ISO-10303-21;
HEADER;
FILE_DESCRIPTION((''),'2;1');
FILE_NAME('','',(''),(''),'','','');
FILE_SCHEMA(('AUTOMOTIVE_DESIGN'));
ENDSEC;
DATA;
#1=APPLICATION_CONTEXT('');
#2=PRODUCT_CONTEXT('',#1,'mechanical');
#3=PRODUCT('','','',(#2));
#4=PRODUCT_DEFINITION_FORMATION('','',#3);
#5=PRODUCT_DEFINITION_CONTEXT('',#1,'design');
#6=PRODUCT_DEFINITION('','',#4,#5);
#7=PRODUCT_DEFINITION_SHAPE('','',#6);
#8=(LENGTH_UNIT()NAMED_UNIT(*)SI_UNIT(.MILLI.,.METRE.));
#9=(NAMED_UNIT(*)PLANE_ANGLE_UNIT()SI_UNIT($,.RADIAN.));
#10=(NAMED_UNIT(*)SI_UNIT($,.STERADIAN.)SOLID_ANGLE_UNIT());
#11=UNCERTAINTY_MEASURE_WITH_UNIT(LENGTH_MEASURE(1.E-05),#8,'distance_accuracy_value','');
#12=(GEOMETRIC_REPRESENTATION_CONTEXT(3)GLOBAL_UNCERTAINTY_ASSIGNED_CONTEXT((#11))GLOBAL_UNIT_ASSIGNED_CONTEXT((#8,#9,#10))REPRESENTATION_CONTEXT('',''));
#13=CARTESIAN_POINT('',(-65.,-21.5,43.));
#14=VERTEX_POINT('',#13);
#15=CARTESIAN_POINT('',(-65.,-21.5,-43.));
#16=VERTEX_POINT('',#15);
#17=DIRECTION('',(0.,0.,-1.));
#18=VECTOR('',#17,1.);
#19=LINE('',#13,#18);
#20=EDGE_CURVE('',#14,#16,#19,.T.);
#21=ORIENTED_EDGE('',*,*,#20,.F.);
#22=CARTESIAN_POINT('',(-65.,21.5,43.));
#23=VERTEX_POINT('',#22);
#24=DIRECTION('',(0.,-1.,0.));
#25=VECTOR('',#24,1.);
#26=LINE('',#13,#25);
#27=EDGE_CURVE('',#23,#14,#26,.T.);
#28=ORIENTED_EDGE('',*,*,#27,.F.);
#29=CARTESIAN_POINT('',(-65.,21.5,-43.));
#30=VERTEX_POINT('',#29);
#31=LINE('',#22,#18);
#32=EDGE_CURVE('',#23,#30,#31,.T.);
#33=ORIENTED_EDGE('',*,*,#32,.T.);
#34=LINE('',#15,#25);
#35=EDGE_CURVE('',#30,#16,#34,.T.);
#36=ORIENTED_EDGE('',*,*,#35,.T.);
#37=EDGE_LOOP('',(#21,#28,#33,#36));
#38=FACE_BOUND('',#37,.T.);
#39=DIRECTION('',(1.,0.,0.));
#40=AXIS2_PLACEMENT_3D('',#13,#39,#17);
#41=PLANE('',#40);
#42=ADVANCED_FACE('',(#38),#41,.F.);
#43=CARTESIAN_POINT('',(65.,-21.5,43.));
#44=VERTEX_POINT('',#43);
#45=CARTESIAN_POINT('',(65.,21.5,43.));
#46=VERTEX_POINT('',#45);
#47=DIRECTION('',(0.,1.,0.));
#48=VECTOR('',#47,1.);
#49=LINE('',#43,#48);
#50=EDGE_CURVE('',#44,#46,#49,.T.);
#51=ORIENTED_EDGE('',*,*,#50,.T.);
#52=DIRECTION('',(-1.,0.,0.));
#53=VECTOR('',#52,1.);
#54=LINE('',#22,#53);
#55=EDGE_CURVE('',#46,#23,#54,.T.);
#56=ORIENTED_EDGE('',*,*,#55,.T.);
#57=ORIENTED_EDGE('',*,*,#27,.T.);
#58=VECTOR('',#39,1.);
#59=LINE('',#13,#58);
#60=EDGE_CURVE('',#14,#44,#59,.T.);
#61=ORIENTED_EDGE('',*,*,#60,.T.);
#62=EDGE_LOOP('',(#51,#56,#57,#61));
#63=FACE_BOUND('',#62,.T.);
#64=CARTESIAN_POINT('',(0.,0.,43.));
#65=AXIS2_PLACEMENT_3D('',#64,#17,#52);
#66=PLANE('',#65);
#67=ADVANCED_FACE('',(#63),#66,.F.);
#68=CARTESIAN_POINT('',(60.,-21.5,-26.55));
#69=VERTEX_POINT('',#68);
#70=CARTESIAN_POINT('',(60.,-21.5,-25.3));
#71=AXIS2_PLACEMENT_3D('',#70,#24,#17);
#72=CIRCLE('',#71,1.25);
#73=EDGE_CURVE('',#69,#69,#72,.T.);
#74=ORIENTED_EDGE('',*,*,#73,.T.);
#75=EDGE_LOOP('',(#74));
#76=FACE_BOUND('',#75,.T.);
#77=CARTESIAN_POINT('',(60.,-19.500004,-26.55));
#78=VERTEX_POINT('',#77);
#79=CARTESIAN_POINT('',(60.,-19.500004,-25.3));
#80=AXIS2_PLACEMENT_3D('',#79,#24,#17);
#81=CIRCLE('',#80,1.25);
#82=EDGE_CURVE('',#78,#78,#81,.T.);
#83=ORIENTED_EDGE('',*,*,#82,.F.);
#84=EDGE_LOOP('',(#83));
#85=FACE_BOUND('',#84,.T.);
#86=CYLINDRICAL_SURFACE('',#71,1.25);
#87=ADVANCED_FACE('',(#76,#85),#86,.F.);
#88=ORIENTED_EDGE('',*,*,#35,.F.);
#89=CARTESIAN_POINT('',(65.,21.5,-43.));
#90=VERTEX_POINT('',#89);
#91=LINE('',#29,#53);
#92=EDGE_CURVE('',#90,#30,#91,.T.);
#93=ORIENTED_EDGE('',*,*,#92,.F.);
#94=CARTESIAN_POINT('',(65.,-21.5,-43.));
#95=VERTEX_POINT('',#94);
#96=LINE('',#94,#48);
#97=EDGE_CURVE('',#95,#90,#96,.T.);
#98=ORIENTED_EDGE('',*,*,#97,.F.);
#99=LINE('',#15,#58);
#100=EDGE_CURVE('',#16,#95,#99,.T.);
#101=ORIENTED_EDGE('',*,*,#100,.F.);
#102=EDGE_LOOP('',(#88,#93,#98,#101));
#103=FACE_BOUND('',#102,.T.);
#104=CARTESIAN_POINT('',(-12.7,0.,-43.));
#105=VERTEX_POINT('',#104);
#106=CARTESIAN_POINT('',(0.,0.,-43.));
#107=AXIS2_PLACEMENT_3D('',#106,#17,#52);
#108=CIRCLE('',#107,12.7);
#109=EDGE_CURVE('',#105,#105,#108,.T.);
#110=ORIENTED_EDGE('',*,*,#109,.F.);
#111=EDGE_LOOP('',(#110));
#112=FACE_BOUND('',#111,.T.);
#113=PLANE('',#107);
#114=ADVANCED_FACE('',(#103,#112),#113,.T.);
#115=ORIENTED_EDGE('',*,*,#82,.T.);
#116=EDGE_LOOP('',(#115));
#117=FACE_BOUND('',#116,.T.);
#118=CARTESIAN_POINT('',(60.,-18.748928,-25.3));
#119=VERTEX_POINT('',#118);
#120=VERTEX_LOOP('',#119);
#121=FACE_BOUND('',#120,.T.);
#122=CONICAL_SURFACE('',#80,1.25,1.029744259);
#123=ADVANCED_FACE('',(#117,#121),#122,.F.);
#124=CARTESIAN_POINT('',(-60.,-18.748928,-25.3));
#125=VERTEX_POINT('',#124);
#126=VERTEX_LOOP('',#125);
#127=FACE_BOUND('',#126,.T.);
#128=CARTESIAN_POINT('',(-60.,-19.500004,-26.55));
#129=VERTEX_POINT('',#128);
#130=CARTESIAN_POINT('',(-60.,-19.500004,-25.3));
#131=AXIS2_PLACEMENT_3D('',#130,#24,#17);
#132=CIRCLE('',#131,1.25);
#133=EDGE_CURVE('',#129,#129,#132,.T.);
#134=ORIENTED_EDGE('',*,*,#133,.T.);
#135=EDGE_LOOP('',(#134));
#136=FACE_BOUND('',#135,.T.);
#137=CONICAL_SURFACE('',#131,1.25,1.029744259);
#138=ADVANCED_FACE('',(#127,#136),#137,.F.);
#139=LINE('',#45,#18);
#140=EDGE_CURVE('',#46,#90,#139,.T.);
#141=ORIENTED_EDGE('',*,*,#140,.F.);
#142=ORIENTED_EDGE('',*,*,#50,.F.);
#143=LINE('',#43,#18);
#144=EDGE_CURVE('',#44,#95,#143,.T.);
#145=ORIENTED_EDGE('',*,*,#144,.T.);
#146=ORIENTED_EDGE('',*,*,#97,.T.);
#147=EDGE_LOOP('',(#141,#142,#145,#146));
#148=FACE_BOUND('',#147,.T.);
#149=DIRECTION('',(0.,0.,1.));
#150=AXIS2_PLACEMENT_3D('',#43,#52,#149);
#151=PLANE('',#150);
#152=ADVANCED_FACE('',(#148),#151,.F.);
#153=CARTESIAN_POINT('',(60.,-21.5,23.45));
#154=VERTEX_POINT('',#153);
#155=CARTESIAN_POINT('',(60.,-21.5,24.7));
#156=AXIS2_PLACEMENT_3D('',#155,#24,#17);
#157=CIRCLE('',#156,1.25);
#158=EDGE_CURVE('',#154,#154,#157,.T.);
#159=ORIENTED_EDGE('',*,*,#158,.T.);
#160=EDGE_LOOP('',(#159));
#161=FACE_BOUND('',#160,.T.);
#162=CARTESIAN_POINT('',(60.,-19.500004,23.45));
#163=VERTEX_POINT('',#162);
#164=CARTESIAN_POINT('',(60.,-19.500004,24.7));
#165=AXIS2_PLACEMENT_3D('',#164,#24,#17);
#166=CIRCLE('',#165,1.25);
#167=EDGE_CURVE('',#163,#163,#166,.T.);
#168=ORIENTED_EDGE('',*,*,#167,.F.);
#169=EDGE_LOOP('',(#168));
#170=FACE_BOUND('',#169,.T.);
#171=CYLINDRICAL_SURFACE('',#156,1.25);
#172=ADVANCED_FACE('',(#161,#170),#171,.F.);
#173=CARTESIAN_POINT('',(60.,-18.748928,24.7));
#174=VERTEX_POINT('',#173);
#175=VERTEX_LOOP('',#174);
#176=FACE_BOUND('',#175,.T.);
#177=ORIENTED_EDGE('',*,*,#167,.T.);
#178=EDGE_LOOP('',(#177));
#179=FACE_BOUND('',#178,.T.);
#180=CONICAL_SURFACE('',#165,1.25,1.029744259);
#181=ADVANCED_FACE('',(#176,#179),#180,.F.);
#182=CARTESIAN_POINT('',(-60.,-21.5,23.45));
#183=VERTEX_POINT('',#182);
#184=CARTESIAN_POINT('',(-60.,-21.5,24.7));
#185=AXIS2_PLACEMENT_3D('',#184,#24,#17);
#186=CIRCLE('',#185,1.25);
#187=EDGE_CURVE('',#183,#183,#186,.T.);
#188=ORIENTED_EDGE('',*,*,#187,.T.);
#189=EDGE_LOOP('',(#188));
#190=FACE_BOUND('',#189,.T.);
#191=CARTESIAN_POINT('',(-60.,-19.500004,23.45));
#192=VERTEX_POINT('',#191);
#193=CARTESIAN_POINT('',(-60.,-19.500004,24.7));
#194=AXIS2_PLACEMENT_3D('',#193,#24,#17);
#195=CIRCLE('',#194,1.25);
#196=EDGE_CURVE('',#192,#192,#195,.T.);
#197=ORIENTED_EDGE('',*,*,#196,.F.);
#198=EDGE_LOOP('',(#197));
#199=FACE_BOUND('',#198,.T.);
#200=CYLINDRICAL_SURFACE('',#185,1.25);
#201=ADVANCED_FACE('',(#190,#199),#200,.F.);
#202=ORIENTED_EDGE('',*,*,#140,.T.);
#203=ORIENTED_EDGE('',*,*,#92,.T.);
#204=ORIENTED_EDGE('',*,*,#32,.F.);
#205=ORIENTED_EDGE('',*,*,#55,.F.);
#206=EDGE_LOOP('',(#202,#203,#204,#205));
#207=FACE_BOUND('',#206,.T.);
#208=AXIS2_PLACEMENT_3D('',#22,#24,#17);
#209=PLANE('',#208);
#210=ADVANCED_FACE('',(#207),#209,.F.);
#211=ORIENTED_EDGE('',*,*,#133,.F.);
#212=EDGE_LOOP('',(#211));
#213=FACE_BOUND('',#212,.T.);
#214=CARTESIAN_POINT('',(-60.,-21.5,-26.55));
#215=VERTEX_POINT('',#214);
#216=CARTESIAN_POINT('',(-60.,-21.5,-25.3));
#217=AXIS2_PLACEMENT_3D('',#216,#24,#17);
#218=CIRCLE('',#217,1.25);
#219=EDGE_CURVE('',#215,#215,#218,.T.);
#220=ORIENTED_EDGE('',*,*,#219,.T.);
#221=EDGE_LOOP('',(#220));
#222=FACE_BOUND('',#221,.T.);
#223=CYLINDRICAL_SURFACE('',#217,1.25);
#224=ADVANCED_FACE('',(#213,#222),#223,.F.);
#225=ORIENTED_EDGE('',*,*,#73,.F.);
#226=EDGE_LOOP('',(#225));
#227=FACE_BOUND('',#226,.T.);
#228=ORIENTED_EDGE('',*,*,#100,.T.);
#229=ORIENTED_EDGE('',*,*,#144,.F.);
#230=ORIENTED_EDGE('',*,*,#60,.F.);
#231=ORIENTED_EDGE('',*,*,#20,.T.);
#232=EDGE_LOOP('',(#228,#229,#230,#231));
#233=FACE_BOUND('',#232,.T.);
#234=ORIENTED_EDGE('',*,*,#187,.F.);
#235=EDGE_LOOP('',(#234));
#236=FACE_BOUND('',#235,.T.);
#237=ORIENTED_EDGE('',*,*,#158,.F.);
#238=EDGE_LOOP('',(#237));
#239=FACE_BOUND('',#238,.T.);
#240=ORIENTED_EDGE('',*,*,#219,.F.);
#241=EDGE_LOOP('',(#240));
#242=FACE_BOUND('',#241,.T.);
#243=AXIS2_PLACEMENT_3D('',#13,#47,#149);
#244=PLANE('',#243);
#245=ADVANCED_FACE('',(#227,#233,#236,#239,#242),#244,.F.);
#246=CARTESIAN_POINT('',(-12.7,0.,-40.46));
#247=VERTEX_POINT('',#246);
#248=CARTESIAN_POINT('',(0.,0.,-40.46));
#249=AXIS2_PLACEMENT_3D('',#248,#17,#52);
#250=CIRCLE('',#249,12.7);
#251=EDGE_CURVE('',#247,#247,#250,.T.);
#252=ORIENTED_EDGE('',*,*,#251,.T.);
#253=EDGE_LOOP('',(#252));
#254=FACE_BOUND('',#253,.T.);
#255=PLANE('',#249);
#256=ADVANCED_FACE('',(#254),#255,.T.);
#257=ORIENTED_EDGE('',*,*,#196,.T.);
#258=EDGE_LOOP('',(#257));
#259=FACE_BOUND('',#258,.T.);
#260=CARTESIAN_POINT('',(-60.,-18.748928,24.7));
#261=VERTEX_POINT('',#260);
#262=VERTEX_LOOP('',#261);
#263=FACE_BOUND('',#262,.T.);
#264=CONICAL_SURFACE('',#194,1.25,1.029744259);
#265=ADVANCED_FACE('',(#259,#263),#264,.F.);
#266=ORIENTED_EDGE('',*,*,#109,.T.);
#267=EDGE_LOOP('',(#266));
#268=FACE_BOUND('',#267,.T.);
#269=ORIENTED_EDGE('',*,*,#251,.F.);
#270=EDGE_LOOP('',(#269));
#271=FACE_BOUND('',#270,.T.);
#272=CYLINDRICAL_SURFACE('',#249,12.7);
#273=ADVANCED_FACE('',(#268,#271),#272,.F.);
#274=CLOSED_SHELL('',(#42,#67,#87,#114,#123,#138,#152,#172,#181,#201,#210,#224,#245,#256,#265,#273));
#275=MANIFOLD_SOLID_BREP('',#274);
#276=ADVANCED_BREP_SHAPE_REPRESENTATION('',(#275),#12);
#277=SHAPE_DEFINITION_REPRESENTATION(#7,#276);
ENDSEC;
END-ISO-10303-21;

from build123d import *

# Parameters (mm, degrees)
SKETCH1_W                 = 130.000000096
SKETCH1_H                 = 43.000000106
BOSS_EXTRUDE1_DEPTH       = 42.999999979
M3X0_5_TAPPED_HOLE1_D     = 2.5
M3X0_5_TAPPED_HOLE1_DEPTH = 1.999996
M3X0_5_TAPPED_HOLE1_TIP   = 0.751075774
SKETCH4_R                 = 12.7
CUT_EXTRUDE1_DEPTH        = 2.54


with BuildPart() as part:
    # Sketch1 → Boss-Extrude1 (new, symmetric)
    with BuildSketch(Plane.XY):
        Rectangle(SKETCH1_W, SKETCH1_H)
    extrude(amount=BOSS_EXTRUDE1_DEPTH, both=True)

    # M3x0.5 Tapped Hole1
    with Locations(Plane(origin=(0, -21.500000053, 0), x_dir=(-1, 0, 0), z_dir=(0, -1, 0))):
        with Locations((60.000000142, -24.700000003), (-60.000000142, -24.700000003), (-60.000000142, 25.300000073), (60.000000142, 25.300000073)):
            Hole(M3X0_5_TAPPED_HOLE1_D / 2, depth=M3X0_5_TAPPED_HOLE1_DEPTH)
            with Locations((0, 0, -(M3X0_5_TAPPED_HOLE1_DEPTH + M3X0_5_TAPPED_HOLE1_TIP / 2))):  # 118° drill point
                Cone(0, M3X0_5_TAPPED_HOLE1_D / 2, M3X0_5_TAPPED_HOLE1_TIP, mode=Mode.SUBTRACT)

    # Sketch4 → Cut-Extrude1 (cut)
    with BuildSketch(Plane(origin=(0, 0, -42.999999979), x_dir=(-1, 0, 0), z_dir=(0, 0, -1))):
        Circle(SKETCH4_R)
    extrude(amount=-CUT_EXTRUDE1_DEPTH, mode=Mode.SUBTRACT)


solid = part.part
